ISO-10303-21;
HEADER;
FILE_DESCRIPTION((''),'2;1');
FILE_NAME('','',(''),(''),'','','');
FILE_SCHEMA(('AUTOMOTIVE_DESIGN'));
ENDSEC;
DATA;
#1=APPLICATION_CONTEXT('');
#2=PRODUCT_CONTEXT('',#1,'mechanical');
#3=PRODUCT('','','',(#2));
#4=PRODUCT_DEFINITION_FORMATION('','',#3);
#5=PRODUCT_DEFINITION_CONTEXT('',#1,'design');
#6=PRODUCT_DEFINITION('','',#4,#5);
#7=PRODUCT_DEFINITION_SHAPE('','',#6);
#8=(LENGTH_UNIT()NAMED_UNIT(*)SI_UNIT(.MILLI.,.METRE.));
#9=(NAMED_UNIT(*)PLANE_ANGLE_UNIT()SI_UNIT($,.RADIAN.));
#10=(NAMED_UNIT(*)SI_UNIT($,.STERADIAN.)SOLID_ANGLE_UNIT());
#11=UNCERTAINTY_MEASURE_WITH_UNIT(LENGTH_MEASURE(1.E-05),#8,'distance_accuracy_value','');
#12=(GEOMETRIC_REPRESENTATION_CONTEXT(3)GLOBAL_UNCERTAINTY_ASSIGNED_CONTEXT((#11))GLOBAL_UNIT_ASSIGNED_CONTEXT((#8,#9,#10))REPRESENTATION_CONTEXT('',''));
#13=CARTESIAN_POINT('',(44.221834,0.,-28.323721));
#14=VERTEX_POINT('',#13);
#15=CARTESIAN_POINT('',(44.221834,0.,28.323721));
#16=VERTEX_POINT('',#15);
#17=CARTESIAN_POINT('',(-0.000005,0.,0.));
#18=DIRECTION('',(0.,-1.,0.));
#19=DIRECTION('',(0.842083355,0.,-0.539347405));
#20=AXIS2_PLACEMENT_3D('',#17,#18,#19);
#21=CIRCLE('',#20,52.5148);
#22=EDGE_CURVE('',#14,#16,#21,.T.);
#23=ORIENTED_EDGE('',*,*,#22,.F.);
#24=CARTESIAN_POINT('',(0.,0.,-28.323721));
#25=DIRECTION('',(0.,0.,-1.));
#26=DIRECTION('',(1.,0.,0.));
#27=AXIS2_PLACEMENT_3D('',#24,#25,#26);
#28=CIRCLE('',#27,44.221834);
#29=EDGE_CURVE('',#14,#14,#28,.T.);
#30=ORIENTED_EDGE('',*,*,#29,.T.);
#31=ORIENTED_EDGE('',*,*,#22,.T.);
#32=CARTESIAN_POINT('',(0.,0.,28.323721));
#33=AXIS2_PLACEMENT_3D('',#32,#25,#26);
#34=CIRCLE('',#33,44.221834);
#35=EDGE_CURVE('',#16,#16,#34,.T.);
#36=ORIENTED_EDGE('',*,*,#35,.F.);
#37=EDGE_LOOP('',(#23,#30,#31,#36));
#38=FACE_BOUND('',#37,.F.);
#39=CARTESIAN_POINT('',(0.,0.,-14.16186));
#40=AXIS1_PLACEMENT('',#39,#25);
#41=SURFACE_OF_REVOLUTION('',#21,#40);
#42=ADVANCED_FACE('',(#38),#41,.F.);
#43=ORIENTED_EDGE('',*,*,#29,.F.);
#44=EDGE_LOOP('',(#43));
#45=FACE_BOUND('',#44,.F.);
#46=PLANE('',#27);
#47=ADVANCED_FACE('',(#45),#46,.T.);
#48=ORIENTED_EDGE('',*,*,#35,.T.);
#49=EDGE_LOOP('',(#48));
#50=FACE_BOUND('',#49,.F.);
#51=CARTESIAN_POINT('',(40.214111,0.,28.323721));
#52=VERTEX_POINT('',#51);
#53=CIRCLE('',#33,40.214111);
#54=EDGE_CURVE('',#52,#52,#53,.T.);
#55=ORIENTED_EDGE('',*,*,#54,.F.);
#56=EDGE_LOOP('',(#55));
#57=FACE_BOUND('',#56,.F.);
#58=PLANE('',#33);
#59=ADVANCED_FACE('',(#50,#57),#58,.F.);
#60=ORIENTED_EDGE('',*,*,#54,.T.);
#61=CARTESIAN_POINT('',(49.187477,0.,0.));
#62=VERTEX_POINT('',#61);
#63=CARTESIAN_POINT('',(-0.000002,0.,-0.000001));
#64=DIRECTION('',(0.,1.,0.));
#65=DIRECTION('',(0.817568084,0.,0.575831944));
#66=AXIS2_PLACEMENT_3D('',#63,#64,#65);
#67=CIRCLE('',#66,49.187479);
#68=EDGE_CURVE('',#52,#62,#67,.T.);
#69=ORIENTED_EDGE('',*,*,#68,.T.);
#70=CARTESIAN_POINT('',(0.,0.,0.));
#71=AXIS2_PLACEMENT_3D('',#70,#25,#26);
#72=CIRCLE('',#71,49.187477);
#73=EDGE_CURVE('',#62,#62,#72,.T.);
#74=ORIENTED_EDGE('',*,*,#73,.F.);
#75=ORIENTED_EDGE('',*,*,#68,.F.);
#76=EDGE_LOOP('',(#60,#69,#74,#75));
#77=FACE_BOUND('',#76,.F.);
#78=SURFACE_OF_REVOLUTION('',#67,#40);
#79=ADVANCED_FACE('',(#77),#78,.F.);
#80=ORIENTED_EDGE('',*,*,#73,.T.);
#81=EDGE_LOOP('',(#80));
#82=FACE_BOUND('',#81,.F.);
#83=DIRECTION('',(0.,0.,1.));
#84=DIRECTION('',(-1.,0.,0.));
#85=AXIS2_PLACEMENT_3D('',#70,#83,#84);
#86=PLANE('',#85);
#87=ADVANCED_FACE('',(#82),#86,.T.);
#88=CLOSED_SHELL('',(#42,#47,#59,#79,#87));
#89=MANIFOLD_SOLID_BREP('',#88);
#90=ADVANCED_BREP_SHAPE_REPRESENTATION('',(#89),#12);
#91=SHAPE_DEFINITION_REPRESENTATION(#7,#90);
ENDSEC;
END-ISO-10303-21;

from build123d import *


with BuildPart() as f1:
    # F0 (on Front) → F1 (revolve)
    with BuildSketch(Plane.XZ):
        with BuildLine():
            Line((44.221834, 28.323721), (40.214111, 28.323721))
            ThreePointArc((40.214111, 28.323721), (46.890503, 14.855592), (49.187477, 0))
            Line((49.187477, 0), (21.203119, 0))
            Line((21.203119, 0), (0, 0))
            Line((0, 0), (0, -28.323721))
            Line((0, -28.323721), (44.221834, -28.323721))
            ThreePointArc((44.221834, -28.323721), (52.514795, 0), (44.221834, 28.323721))
        make_face()
    revolve(axis=Axis((0, 0, -14.16186), (0, 0, -1)))


solid = f1.part
